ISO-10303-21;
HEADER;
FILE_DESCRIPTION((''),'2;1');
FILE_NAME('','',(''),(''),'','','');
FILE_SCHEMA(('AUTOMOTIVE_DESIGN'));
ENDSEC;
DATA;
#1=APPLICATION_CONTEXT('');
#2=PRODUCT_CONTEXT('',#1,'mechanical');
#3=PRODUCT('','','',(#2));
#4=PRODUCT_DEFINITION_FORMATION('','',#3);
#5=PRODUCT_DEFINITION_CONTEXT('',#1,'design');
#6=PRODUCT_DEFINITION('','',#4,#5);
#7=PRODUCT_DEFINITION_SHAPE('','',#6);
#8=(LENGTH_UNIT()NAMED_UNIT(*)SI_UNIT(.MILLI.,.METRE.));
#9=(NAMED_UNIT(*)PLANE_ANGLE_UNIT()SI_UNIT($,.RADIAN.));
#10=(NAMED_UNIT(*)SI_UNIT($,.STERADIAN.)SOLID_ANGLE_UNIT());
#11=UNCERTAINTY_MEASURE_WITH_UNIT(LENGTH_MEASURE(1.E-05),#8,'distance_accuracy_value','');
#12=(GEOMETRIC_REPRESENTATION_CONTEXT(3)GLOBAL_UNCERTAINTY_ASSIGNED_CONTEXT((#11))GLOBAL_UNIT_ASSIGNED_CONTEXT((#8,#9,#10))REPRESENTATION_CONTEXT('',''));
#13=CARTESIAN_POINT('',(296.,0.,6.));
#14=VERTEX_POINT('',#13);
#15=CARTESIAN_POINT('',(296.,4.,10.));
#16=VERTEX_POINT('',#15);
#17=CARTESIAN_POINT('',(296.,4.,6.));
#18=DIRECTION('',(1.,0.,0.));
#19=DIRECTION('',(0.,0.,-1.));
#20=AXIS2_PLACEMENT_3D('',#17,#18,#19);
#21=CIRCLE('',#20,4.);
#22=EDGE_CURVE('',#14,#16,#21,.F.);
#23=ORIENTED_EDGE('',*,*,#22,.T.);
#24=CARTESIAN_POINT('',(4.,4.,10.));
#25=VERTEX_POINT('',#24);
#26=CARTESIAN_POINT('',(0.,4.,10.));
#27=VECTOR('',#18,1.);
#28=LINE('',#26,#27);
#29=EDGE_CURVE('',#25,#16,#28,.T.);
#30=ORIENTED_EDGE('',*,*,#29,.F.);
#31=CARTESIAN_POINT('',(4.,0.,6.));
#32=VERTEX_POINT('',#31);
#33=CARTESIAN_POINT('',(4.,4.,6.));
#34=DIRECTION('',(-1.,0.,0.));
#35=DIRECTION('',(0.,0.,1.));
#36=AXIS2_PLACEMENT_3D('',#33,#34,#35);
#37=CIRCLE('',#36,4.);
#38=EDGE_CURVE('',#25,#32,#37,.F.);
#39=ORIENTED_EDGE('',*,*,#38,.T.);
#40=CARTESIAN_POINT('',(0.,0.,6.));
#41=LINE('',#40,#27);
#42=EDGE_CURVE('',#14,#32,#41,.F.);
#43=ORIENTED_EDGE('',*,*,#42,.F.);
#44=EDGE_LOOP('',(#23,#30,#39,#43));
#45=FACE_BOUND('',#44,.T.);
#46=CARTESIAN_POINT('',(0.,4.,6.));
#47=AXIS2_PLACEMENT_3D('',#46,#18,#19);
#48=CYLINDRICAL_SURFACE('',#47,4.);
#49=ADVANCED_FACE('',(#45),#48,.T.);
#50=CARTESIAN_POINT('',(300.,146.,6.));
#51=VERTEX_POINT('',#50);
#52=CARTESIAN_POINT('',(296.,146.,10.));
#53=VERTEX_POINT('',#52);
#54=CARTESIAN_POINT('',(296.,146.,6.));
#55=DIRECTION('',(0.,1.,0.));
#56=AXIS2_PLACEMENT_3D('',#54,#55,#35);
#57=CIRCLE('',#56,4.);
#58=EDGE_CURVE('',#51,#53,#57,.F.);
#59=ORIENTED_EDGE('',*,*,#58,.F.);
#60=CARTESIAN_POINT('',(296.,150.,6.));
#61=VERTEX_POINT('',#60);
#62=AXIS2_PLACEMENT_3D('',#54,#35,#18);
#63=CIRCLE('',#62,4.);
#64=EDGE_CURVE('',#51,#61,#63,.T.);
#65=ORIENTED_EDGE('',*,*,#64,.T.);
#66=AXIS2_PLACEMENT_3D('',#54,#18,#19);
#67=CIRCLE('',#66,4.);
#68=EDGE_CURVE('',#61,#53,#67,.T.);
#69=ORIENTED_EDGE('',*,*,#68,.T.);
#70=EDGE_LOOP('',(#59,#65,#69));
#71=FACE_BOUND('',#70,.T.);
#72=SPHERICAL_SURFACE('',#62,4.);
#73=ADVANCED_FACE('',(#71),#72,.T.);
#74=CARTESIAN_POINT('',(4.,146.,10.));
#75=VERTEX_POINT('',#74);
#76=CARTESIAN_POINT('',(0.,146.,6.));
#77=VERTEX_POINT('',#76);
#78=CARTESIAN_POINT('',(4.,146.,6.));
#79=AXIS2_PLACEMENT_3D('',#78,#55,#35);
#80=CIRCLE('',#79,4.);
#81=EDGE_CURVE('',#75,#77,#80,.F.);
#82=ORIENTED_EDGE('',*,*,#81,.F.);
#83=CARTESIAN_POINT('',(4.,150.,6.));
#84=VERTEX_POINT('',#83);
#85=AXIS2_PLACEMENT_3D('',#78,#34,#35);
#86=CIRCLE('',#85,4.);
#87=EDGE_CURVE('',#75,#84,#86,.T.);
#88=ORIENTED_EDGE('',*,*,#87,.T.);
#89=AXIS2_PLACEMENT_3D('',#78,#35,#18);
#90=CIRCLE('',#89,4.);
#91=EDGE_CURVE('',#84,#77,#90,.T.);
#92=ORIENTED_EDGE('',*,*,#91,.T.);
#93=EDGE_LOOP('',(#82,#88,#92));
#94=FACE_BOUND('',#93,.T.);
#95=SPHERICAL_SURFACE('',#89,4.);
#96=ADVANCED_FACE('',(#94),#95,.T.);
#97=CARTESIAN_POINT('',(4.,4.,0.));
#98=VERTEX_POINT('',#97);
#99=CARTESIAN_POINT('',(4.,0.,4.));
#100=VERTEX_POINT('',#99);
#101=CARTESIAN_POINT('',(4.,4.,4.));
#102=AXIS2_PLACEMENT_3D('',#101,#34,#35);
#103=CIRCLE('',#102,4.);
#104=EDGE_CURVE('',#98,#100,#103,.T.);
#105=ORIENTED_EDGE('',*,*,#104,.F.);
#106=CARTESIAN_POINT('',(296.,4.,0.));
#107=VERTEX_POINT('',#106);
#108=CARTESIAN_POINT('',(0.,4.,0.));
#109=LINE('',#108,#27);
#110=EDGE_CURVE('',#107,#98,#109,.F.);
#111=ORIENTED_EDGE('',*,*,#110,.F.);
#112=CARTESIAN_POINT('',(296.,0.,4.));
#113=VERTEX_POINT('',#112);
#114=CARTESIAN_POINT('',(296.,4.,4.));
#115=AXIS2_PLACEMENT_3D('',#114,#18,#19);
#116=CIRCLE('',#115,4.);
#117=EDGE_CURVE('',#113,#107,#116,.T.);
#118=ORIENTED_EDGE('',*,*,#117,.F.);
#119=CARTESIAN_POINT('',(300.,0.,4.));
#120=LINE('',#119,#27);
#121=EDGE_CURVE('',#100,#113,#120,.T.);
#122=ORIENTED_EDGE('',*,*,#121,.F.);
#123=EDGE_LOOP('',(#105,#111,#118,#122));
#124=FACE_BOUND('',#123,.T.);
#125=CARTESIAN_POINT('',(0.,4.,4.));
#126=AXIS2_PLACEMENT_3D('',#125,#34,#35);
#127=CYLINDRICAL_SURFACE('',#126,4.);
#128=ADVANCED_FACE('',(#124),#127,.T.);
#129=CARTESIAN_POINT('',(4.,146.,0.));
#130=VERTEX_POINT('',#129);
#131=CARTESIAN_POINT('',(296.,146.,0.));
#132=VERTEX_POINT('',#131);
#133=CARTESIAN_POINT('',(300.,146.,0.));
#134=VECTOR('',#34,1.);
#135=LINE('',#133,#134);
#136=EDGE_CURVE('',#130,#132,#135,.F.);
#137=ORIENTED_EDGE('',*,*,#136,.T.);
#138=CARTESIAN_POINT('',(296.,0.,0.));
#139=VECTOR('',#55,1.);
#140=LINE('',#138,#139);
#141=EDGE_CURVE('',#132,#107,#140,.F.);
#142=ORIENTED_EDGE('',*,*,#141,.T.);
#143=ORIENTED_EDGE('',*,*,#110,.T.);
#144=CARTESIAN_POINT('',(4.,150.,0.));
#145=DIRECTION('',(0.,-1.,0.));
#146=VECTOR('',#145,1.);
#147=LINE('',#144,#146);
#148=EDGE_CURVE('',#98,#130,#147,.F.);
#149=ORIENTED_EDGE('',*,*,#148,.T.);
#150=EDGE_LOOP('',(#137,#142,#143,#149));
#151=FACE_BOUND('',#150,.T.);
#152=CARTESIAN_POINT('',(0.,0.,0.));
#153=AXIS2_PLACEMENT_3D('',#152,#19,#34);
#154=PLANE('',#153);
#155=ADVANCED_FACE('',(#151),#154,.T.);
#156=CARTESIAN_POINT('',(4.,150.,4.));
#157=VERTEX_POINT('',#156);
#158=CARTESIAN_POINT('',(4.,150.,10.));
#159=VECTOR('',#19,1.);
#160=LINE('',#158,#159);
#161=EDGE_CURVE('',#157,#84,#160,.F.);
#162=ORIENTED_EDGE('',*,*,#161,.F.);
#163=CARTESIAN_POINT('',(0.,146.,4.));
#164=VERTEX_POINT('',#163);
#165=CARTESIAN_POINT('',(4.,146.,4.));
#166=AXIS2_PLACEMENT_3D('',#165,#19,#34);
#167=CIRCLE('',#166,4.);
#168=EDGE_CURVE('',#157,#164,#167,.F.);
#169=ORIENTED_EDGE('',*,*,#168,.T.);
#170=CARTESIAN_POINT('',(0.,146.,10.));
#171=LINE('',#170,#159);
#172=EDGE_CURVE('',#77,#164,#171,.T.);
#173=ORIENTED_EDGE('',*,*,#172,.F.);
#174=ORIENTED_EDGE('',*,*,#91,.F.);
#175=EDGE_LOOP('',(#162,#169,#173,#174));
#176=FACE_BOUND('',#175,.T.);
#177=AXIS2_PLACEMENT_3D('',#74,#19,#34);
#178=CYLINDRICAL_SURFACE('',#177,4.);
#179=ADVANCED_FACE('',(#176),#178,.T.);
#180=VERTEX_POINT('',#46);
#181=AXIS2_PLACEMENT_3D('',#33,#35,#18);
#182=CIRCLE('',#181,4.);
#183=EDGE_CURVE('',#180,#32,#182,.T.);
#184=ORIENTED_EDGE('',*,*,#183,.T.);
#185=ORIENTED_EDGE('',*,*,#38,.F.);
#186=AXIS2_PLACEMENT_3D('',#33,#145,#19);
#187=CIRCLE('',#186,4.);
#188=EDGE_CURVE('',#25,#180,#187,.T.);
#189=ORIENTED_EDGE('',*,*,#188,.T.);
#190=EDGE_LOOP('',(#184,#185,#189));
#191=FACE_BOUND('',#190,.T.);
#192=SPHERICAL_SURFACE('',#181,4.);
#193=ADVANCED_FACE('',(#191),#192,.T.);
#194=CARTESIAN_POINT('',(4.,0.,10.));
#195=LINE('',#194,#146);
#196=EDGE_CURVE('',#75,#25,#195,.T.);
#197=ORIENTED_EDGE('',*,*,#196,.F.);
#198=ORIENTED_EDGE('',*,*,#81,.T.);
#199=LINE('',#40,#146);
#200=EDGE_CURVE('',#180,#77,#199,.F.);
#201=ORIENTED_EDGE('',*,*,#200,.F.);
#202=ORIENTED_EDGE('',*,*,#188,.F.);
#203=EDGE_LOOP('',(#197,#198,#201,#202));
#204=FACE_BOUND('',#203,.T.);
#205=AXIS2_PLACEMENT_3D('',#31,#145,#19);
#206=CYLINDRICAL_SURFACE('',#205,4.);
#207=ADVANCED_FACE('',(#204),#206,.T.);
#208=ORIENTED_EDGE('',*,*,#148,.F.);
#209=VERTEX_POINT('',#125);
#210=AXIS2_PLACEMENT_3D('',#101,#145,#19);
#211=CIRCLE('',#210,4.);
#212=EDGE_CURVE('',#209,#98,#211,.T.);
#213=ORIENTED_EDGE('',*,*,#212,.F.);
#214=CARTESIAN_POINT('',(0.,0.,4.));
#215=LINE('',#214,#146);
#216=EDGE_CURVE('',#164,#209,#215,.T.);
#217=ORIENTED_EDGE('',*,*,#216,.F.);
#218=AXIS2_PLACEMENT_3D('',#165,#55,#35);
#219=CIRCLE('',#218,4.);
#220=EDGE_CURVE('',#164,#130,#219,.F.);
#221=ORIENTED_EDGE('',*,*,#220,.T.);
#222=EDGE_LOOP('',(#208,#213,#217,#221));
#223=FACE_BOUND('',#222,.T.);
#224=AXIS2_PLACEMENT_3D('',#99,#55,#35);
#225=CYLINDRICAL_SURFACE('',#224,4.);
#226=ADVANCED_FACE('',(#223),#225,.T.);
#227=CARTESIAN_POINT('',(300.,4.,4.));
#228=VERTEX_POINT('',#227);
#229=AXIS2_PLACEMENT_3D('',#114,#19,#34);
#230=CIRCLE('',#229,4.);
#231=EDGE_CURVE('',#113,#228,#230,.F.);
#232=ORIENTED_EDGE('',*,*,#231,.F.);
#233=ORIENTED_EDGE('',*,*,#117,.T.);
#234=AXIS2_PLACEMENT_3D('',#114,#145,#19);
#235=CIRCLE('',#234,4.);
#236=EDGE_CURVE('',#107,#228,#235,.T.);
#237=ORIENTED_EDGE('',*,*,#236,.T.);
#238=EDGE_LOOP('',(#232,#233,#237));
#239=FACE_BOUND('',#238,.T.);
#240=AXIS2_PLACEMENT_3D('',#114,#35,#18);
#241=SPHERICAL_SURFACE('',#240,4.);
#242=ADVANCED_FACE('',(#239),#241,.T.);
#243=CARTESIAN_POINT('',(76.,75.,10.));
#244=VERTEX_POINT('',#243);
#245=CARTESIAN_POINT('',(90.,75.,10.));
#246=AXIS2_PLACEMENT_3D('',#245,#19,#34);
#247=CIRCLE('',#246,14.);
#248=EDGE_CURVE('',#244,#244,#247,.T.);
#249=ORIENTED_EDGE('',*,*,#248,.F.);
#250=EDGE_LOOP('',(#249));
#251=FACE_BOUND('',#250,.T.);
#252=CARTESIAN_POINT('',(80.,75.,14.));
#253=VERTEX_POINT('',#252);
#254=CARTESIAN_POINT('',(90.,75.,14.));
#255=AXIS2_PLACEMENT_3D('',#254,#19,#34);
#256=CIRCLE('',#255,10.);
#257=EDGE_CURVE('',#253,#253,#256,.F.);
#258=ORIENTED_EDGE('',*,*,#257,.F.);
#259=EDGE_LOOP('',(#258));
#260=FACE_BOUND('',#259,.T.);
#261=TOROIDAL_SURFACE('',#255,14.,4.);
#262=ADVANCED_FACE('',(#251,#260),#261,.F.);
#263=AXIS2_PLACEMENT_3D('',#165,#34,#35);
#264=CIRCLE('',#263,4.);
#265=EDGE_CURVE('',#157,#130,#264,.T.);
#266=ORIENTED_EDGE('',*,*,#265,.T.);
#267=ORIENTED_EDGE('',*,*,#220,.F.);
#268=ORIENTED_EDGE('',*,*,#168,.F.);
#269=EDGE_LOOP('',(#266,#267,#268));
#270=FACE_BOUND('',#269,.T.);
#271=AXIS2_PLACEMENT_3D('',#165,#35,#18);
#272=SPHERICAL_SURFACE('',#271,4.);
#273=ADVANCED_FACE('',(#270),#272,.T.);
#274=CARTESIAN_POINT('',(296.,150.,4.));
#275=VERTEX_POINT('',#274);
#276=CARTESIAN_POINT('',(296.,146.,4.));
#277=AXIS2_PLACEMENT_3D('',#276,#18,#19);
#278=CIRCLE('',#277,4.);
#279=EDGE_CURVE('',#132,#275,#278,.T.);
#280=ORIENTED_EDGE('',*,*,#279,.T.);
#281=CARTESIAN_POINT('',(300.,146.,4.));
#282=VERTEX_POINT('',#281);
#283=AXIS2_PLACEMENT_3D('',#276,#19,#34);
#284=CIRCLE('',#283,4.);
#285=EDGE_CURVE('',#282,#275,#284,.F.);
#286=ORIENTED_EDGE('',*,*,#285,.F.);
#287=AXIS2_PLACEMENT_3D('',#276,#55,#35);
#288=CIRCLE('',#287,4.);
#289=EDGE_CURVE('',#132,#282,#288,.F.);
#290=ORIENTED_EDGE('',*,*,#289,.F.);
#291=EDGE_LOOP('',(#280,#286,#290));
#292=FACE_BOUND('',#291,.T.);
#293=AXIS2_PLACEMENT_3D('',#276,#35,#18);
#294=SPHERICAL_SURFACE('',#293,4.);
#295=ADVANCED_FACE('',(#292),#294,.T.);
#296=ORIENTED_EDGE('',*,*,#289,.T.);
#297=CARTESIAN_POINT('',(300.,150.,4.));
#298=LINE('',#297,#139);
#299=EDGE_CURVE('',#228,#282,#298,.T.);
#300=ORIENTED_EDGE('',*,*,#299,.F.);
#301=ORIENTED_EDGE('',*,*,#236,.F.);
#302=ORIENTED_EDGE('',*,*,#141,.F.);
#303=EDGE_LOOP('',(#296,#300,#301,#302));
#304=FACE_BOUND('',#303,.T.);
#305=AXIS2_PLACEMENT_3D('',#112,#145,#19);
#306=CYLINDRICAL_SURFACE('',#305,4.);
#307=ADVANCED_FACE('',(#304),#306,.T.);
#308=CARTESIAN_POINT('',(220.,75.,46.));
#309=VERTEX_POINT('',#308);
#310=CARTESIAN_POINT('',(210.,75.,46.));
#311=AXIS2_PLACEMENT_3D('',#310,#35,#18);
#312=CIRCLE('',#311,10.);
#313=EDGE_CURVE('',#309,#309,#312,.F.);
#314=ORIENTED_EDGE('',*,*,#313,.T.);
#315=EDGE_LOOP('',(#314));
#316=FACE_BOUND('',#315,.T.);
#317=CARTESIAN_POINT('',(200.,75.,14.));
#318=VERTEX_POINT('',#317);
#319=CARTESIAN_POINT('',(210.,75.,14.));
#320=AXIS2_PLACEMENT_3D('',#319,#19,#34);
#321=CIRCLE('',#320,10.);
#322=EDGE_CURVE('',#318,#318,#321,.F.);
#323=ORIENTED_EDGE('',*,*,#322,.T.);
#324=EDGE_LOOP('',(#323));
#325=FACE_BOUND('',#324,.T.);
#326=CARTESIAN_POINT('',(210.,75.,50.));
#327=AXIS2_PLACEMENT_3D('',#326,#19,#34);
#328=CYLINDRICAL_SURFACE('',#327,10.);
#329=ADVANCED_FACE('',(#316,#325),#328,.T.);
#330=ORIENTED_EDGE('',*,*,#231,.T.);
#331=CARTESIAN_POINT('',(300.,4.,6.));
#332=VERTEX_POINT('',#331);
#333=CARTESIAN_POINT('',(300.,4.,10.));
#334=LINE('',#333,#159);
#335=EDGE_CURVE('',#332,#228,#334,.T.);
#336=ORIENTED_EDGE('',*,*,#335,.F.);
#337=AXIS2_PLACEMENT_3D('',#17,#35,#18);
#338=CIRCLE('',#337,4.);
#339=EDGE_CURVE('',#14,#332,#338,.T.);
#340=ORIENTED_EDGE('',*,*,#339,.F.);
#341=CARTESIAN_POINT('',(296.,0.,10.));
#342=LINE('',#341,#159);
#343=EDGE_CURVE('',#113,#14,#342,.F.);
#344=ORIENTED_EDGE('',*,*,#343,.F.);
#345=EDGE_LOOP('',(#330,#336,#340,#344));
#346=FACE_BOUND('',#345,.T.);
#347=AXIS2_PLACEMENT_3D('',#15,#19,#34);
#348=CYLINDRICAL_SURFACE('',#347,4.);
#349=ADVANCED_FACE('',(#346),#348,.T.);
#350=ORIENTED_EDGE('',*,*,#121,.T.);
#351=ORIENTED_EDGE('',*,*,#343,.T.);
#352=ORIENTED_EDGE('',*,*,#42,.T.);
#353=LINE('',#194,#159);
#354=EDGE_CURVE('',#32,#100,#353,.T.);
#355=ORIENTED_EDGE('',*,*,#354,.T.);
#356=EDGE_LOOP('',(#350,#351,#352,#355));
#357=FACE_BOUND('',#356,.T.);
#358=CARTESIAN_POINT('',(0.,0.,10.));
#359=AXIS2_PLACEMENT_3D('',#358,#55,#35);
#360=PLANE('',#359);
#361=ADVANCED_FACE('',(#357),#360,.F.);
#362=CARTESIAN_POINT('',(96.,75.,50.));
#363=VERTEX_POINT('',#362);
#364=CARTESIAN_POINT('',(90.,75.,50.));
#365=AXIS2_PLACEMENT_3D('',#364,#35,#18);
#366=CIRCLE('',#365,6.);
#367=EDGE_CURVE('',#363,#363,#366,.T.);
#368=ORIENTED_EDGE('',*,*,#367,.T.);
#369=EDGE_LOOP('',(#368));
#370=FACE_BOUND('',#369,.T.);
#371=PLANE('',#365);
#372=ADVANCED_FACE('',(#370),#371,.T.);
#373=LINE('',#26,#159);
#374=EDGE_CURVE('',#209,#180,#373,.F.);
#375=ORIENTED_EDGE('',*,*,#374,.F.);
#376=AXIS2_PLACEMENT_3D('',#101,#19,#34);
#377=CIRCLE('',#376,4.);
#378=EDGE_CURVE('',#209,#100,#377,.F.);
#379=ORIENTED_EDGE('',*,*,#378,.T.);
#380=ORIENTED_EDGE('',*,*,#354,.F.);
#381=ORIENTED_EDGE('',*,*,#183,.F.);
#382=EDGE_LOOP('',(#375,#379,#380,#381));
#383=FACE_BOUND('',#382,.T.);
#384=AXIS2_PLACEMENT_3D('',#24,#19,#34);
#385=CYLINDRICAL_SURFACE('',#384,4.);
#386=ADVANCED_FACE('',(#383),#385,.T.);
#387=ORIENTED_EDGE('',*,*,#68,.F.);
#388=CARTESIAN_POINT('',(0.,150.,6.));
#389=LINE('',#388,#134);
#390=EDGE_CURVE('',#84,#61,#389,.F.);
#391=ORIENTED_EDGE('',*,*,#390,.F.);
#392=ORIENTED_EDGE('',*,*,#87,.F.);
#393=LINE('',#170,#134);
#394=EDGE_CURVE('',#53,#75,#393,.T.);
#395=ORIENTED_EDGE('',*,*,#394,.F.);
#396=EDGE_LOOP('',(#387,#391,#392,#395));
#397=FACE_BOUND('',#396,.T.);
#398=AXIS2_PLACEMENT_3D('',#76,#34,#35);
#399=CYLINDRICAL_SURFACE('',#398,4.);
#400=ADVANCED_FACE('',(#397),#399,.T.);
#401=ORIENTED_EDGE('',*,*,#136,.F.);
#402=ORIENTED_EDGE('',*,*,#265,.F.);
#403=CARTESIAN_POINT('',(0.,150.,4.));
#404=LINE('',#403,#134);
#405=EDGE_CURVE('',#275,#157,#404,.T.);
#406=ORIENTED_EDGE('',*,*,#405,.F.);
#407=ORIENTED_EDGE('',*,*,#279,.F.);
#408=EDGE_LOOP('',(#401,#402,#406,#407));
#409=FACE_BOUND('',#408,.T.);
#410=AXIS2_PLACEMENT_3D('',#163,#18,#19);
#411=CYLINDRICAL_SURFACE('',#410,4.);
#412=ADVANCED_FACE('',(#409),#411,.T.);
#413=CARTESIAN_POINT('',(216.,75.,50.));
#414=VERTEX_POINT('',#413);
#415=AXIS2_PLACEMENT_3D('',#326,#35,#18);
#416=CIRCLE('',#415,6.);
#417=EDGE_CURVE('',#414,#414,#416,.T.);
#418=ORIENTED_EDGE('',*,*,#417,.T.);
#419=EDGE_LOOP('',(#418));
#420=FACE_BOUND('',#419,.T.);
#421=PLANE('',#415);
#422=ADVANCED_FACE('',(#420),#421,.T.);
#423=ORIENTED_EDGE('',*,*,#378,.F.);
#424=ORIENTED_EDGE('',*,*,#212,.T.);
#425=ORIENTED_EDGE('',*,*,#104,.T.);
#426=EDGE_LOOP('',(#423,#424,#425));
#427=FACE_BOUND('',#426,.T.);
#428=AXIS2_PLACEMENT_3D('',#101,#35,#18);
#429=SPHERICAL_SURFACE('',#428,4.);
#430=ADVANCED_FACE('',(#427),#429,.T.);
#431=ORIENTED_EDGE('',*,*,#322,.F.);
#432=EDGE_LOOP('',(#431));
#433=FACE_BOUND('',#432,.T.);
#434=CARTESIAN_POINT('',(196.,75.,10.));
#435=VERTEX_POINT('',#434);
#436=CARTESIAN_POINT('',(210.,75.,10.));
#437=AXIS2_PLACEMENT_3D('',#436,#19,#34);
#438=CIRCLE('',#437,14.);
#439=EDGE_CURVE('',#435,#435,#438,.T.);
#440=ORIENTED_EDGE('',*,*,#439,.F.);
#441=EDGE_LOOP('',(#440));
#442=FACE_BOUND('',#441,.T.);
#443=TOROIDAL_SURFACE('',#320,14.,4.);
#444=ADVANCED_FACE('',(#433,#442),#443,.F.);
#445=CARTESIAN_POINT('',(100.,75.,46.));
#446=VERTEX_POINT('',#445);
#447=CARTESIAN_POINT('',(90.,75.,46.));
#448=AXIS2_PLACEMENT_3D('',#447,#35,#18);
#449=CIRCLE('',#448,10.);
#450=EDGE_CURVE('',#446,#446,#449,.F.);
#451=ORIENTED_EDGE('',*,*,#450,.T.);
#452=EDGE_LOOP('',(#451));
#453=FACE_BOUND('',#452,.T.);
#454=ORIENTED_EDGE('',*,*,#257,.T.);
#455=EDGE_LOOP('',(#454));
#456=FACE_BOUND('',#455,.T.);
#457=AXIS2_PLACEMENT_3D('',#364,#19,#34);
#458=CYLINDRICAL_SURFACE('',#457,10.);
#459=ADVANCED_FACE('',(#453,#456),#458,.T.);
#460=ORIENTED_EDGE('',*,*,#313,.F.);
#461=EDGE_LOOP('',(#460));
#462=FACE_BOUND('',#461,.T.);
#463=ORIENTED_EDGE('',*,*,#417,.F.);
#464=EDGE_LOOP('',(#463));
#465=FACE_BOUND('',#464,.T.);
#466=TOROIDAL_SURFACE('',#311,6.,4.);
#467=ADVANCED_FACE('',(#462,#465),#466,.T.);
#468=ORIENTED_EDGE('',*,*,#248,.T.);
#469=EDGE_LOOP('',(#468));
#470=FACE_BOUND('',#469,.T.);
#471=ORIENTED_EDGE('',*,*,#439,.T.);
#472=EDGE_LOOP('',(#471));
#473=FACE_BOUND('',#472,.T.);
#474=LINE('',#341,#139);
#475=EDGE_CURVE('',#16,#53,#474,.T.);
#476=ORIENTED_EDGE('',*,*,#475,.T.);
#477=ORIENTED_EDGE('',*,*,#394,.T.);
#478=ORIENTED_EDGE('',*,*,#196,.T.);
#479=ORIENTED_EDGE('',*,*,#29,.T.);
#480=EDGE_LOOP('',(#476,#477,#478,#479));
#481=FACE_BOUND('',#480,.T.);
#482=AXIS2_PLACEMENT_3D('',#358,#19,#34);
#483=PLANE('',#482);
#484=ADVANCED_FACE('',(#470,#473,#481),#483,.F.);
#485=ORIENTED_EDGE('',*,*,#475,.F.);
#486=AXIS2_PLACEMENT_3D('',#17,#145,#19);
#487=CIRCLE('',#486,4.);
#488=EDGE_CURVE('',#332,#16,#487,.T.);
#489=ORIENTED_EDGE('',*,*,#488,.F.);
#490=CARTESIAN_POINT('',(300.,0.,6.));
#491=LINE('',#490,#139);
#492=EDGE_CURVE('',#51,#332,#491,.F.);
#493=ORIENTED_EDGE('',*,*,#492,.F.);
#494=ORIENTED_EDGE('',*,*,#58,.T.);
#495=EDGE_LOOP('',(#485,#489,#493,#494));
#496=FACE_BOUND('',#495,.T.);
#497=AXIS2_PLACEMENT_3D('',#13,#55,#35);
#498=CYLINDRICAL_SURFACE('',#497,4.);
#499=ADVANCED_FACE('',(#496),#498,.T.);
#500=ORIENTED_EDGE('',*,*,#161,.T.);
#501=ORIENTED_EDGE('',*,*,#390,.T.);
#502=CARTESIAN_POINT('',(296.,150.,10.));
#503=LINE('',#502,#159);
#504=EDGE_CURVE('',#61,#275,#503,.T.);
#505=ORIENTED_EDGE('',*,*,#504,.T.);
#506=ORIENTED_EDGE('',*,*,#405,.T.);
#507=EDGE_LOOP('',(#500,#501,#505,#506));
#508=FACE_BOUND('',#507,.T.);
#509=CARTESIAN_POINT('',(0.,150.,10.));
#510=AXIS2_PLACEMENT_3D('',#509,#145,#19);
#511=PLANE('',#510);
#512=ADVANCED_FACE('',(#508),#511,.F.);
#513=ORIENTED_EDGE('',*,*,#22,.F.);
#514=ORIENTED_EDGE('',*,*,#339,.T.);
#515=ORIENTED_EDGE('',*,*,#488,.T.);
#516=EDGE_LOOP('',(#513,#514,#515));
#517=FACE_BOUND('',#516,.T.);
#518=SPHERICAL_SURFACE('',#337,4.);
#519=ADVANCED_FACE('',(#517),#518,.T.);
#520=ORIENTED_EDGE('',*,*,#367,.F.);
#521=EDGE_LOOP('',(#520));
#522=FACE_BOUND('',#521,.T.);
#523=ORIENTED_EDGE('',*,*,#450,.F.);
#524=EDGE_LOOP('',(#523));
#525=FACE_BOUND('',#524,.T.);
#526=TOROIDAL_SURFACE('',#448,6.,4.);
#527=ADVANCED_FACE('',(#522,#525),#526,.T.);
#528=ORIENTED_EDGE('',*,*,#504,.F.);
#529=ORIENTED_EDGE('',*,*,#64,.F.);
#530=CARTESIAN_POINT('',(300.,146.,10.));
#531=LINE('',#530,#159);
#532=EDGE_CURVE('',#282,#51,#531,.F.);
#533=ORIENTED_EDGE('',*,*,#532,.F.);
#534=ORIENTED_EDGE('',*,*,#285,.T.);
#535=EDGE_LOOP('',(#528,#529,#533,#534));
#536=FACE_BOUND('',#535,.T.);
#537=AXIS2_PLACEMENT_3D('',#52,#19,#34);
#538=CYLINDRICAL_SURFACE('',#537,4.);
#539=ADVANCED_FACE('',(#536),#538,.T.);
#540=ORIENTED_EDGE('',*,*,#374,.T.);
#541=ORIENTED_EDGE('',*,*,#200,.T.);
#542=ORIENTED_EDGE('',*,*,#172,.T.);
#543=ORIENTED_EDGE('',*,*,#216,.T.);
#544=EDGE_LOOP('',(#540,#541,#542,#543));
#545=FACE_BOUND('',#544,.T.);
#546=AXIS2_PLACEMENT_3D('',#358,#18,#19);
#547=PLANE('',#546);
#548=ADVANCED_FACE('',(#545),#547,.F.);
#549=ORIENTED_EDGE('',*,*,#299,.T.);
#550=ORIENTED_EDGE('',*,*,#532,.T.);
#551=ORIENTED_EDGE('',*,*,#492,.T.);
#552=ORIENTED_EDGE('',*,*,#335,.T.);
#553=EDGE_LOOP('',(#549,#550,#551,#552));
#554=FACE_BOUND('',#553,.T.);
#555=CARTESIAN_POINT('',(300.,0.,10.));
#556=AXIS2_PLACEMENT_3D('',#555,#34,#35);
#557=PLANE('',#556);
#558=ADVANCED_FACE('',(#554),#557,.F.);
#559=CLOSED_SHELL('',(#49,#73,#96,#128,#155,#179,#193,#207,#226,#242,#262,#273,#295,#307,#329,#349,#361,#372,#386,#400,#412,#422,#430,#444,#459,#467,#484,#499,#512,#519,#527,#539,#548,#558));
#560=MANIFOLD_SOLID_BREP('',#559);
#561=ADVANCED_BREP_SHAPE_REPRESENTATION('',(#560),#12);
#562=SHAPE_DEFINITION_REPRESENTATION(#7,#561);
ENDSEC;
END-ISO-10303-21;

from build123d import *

# Parameters (mm, degrees)
SKETCH_1_W      = 300
SKETCH_1_H      = 150
EXTRUDE_1_DEPTH = 10
SKETCH_2_R      = 10
EXTRUDE_2_DEPTH = 40
FILLET_1_R      = 4


with BuildPart() as part:
    # 草圖1 → 填料-伸長1 (new body)
    with BuildSketch(Plane.XY):
        with Locations((150, 75)):
            Rectangle(SKETCH_1_W, SKETCH_1_H)
    extrude(amount=EXTRUDE_1_DEPTH)

    # 草圖2 → 填料-伸長2 (add)
    with BuildSketch(Plane.XY.offset(10)):
        with Locations(Location((90, 75, 0), (0, 0, 180))):
            Circle(SKETCH_2_R)
        with Locations(Location((210, 75, 0), (0, 0, 180))):
            Circle(SKETCH_2_R)
    extrude(amount=EXTRUDE_2_DEPTH)

    # 圓角1
    fillet_1_edges = [part.edges().sort_by_distance(p)[0] for p in [
        (300, 75, 10),
        (150, 150, 10),
        (100, 75, 10),
        (100, 75, 50),
        (220, 75, 10),
        (220, 75, 50),
        (0, 75, 10),
        (150, 150, 0),
        (300, 75, 0),
        (150, 0, 0),
        (0, 75, 0),
        (150, 0, 10),
        (0, 150, 5),
        (300, 150, 5),
        (300, 0, 5),
        (0, 0, 5),
    ]]
    fillet(fillet_1_edges, radius=FILLET_1_R)


solid = part.part
